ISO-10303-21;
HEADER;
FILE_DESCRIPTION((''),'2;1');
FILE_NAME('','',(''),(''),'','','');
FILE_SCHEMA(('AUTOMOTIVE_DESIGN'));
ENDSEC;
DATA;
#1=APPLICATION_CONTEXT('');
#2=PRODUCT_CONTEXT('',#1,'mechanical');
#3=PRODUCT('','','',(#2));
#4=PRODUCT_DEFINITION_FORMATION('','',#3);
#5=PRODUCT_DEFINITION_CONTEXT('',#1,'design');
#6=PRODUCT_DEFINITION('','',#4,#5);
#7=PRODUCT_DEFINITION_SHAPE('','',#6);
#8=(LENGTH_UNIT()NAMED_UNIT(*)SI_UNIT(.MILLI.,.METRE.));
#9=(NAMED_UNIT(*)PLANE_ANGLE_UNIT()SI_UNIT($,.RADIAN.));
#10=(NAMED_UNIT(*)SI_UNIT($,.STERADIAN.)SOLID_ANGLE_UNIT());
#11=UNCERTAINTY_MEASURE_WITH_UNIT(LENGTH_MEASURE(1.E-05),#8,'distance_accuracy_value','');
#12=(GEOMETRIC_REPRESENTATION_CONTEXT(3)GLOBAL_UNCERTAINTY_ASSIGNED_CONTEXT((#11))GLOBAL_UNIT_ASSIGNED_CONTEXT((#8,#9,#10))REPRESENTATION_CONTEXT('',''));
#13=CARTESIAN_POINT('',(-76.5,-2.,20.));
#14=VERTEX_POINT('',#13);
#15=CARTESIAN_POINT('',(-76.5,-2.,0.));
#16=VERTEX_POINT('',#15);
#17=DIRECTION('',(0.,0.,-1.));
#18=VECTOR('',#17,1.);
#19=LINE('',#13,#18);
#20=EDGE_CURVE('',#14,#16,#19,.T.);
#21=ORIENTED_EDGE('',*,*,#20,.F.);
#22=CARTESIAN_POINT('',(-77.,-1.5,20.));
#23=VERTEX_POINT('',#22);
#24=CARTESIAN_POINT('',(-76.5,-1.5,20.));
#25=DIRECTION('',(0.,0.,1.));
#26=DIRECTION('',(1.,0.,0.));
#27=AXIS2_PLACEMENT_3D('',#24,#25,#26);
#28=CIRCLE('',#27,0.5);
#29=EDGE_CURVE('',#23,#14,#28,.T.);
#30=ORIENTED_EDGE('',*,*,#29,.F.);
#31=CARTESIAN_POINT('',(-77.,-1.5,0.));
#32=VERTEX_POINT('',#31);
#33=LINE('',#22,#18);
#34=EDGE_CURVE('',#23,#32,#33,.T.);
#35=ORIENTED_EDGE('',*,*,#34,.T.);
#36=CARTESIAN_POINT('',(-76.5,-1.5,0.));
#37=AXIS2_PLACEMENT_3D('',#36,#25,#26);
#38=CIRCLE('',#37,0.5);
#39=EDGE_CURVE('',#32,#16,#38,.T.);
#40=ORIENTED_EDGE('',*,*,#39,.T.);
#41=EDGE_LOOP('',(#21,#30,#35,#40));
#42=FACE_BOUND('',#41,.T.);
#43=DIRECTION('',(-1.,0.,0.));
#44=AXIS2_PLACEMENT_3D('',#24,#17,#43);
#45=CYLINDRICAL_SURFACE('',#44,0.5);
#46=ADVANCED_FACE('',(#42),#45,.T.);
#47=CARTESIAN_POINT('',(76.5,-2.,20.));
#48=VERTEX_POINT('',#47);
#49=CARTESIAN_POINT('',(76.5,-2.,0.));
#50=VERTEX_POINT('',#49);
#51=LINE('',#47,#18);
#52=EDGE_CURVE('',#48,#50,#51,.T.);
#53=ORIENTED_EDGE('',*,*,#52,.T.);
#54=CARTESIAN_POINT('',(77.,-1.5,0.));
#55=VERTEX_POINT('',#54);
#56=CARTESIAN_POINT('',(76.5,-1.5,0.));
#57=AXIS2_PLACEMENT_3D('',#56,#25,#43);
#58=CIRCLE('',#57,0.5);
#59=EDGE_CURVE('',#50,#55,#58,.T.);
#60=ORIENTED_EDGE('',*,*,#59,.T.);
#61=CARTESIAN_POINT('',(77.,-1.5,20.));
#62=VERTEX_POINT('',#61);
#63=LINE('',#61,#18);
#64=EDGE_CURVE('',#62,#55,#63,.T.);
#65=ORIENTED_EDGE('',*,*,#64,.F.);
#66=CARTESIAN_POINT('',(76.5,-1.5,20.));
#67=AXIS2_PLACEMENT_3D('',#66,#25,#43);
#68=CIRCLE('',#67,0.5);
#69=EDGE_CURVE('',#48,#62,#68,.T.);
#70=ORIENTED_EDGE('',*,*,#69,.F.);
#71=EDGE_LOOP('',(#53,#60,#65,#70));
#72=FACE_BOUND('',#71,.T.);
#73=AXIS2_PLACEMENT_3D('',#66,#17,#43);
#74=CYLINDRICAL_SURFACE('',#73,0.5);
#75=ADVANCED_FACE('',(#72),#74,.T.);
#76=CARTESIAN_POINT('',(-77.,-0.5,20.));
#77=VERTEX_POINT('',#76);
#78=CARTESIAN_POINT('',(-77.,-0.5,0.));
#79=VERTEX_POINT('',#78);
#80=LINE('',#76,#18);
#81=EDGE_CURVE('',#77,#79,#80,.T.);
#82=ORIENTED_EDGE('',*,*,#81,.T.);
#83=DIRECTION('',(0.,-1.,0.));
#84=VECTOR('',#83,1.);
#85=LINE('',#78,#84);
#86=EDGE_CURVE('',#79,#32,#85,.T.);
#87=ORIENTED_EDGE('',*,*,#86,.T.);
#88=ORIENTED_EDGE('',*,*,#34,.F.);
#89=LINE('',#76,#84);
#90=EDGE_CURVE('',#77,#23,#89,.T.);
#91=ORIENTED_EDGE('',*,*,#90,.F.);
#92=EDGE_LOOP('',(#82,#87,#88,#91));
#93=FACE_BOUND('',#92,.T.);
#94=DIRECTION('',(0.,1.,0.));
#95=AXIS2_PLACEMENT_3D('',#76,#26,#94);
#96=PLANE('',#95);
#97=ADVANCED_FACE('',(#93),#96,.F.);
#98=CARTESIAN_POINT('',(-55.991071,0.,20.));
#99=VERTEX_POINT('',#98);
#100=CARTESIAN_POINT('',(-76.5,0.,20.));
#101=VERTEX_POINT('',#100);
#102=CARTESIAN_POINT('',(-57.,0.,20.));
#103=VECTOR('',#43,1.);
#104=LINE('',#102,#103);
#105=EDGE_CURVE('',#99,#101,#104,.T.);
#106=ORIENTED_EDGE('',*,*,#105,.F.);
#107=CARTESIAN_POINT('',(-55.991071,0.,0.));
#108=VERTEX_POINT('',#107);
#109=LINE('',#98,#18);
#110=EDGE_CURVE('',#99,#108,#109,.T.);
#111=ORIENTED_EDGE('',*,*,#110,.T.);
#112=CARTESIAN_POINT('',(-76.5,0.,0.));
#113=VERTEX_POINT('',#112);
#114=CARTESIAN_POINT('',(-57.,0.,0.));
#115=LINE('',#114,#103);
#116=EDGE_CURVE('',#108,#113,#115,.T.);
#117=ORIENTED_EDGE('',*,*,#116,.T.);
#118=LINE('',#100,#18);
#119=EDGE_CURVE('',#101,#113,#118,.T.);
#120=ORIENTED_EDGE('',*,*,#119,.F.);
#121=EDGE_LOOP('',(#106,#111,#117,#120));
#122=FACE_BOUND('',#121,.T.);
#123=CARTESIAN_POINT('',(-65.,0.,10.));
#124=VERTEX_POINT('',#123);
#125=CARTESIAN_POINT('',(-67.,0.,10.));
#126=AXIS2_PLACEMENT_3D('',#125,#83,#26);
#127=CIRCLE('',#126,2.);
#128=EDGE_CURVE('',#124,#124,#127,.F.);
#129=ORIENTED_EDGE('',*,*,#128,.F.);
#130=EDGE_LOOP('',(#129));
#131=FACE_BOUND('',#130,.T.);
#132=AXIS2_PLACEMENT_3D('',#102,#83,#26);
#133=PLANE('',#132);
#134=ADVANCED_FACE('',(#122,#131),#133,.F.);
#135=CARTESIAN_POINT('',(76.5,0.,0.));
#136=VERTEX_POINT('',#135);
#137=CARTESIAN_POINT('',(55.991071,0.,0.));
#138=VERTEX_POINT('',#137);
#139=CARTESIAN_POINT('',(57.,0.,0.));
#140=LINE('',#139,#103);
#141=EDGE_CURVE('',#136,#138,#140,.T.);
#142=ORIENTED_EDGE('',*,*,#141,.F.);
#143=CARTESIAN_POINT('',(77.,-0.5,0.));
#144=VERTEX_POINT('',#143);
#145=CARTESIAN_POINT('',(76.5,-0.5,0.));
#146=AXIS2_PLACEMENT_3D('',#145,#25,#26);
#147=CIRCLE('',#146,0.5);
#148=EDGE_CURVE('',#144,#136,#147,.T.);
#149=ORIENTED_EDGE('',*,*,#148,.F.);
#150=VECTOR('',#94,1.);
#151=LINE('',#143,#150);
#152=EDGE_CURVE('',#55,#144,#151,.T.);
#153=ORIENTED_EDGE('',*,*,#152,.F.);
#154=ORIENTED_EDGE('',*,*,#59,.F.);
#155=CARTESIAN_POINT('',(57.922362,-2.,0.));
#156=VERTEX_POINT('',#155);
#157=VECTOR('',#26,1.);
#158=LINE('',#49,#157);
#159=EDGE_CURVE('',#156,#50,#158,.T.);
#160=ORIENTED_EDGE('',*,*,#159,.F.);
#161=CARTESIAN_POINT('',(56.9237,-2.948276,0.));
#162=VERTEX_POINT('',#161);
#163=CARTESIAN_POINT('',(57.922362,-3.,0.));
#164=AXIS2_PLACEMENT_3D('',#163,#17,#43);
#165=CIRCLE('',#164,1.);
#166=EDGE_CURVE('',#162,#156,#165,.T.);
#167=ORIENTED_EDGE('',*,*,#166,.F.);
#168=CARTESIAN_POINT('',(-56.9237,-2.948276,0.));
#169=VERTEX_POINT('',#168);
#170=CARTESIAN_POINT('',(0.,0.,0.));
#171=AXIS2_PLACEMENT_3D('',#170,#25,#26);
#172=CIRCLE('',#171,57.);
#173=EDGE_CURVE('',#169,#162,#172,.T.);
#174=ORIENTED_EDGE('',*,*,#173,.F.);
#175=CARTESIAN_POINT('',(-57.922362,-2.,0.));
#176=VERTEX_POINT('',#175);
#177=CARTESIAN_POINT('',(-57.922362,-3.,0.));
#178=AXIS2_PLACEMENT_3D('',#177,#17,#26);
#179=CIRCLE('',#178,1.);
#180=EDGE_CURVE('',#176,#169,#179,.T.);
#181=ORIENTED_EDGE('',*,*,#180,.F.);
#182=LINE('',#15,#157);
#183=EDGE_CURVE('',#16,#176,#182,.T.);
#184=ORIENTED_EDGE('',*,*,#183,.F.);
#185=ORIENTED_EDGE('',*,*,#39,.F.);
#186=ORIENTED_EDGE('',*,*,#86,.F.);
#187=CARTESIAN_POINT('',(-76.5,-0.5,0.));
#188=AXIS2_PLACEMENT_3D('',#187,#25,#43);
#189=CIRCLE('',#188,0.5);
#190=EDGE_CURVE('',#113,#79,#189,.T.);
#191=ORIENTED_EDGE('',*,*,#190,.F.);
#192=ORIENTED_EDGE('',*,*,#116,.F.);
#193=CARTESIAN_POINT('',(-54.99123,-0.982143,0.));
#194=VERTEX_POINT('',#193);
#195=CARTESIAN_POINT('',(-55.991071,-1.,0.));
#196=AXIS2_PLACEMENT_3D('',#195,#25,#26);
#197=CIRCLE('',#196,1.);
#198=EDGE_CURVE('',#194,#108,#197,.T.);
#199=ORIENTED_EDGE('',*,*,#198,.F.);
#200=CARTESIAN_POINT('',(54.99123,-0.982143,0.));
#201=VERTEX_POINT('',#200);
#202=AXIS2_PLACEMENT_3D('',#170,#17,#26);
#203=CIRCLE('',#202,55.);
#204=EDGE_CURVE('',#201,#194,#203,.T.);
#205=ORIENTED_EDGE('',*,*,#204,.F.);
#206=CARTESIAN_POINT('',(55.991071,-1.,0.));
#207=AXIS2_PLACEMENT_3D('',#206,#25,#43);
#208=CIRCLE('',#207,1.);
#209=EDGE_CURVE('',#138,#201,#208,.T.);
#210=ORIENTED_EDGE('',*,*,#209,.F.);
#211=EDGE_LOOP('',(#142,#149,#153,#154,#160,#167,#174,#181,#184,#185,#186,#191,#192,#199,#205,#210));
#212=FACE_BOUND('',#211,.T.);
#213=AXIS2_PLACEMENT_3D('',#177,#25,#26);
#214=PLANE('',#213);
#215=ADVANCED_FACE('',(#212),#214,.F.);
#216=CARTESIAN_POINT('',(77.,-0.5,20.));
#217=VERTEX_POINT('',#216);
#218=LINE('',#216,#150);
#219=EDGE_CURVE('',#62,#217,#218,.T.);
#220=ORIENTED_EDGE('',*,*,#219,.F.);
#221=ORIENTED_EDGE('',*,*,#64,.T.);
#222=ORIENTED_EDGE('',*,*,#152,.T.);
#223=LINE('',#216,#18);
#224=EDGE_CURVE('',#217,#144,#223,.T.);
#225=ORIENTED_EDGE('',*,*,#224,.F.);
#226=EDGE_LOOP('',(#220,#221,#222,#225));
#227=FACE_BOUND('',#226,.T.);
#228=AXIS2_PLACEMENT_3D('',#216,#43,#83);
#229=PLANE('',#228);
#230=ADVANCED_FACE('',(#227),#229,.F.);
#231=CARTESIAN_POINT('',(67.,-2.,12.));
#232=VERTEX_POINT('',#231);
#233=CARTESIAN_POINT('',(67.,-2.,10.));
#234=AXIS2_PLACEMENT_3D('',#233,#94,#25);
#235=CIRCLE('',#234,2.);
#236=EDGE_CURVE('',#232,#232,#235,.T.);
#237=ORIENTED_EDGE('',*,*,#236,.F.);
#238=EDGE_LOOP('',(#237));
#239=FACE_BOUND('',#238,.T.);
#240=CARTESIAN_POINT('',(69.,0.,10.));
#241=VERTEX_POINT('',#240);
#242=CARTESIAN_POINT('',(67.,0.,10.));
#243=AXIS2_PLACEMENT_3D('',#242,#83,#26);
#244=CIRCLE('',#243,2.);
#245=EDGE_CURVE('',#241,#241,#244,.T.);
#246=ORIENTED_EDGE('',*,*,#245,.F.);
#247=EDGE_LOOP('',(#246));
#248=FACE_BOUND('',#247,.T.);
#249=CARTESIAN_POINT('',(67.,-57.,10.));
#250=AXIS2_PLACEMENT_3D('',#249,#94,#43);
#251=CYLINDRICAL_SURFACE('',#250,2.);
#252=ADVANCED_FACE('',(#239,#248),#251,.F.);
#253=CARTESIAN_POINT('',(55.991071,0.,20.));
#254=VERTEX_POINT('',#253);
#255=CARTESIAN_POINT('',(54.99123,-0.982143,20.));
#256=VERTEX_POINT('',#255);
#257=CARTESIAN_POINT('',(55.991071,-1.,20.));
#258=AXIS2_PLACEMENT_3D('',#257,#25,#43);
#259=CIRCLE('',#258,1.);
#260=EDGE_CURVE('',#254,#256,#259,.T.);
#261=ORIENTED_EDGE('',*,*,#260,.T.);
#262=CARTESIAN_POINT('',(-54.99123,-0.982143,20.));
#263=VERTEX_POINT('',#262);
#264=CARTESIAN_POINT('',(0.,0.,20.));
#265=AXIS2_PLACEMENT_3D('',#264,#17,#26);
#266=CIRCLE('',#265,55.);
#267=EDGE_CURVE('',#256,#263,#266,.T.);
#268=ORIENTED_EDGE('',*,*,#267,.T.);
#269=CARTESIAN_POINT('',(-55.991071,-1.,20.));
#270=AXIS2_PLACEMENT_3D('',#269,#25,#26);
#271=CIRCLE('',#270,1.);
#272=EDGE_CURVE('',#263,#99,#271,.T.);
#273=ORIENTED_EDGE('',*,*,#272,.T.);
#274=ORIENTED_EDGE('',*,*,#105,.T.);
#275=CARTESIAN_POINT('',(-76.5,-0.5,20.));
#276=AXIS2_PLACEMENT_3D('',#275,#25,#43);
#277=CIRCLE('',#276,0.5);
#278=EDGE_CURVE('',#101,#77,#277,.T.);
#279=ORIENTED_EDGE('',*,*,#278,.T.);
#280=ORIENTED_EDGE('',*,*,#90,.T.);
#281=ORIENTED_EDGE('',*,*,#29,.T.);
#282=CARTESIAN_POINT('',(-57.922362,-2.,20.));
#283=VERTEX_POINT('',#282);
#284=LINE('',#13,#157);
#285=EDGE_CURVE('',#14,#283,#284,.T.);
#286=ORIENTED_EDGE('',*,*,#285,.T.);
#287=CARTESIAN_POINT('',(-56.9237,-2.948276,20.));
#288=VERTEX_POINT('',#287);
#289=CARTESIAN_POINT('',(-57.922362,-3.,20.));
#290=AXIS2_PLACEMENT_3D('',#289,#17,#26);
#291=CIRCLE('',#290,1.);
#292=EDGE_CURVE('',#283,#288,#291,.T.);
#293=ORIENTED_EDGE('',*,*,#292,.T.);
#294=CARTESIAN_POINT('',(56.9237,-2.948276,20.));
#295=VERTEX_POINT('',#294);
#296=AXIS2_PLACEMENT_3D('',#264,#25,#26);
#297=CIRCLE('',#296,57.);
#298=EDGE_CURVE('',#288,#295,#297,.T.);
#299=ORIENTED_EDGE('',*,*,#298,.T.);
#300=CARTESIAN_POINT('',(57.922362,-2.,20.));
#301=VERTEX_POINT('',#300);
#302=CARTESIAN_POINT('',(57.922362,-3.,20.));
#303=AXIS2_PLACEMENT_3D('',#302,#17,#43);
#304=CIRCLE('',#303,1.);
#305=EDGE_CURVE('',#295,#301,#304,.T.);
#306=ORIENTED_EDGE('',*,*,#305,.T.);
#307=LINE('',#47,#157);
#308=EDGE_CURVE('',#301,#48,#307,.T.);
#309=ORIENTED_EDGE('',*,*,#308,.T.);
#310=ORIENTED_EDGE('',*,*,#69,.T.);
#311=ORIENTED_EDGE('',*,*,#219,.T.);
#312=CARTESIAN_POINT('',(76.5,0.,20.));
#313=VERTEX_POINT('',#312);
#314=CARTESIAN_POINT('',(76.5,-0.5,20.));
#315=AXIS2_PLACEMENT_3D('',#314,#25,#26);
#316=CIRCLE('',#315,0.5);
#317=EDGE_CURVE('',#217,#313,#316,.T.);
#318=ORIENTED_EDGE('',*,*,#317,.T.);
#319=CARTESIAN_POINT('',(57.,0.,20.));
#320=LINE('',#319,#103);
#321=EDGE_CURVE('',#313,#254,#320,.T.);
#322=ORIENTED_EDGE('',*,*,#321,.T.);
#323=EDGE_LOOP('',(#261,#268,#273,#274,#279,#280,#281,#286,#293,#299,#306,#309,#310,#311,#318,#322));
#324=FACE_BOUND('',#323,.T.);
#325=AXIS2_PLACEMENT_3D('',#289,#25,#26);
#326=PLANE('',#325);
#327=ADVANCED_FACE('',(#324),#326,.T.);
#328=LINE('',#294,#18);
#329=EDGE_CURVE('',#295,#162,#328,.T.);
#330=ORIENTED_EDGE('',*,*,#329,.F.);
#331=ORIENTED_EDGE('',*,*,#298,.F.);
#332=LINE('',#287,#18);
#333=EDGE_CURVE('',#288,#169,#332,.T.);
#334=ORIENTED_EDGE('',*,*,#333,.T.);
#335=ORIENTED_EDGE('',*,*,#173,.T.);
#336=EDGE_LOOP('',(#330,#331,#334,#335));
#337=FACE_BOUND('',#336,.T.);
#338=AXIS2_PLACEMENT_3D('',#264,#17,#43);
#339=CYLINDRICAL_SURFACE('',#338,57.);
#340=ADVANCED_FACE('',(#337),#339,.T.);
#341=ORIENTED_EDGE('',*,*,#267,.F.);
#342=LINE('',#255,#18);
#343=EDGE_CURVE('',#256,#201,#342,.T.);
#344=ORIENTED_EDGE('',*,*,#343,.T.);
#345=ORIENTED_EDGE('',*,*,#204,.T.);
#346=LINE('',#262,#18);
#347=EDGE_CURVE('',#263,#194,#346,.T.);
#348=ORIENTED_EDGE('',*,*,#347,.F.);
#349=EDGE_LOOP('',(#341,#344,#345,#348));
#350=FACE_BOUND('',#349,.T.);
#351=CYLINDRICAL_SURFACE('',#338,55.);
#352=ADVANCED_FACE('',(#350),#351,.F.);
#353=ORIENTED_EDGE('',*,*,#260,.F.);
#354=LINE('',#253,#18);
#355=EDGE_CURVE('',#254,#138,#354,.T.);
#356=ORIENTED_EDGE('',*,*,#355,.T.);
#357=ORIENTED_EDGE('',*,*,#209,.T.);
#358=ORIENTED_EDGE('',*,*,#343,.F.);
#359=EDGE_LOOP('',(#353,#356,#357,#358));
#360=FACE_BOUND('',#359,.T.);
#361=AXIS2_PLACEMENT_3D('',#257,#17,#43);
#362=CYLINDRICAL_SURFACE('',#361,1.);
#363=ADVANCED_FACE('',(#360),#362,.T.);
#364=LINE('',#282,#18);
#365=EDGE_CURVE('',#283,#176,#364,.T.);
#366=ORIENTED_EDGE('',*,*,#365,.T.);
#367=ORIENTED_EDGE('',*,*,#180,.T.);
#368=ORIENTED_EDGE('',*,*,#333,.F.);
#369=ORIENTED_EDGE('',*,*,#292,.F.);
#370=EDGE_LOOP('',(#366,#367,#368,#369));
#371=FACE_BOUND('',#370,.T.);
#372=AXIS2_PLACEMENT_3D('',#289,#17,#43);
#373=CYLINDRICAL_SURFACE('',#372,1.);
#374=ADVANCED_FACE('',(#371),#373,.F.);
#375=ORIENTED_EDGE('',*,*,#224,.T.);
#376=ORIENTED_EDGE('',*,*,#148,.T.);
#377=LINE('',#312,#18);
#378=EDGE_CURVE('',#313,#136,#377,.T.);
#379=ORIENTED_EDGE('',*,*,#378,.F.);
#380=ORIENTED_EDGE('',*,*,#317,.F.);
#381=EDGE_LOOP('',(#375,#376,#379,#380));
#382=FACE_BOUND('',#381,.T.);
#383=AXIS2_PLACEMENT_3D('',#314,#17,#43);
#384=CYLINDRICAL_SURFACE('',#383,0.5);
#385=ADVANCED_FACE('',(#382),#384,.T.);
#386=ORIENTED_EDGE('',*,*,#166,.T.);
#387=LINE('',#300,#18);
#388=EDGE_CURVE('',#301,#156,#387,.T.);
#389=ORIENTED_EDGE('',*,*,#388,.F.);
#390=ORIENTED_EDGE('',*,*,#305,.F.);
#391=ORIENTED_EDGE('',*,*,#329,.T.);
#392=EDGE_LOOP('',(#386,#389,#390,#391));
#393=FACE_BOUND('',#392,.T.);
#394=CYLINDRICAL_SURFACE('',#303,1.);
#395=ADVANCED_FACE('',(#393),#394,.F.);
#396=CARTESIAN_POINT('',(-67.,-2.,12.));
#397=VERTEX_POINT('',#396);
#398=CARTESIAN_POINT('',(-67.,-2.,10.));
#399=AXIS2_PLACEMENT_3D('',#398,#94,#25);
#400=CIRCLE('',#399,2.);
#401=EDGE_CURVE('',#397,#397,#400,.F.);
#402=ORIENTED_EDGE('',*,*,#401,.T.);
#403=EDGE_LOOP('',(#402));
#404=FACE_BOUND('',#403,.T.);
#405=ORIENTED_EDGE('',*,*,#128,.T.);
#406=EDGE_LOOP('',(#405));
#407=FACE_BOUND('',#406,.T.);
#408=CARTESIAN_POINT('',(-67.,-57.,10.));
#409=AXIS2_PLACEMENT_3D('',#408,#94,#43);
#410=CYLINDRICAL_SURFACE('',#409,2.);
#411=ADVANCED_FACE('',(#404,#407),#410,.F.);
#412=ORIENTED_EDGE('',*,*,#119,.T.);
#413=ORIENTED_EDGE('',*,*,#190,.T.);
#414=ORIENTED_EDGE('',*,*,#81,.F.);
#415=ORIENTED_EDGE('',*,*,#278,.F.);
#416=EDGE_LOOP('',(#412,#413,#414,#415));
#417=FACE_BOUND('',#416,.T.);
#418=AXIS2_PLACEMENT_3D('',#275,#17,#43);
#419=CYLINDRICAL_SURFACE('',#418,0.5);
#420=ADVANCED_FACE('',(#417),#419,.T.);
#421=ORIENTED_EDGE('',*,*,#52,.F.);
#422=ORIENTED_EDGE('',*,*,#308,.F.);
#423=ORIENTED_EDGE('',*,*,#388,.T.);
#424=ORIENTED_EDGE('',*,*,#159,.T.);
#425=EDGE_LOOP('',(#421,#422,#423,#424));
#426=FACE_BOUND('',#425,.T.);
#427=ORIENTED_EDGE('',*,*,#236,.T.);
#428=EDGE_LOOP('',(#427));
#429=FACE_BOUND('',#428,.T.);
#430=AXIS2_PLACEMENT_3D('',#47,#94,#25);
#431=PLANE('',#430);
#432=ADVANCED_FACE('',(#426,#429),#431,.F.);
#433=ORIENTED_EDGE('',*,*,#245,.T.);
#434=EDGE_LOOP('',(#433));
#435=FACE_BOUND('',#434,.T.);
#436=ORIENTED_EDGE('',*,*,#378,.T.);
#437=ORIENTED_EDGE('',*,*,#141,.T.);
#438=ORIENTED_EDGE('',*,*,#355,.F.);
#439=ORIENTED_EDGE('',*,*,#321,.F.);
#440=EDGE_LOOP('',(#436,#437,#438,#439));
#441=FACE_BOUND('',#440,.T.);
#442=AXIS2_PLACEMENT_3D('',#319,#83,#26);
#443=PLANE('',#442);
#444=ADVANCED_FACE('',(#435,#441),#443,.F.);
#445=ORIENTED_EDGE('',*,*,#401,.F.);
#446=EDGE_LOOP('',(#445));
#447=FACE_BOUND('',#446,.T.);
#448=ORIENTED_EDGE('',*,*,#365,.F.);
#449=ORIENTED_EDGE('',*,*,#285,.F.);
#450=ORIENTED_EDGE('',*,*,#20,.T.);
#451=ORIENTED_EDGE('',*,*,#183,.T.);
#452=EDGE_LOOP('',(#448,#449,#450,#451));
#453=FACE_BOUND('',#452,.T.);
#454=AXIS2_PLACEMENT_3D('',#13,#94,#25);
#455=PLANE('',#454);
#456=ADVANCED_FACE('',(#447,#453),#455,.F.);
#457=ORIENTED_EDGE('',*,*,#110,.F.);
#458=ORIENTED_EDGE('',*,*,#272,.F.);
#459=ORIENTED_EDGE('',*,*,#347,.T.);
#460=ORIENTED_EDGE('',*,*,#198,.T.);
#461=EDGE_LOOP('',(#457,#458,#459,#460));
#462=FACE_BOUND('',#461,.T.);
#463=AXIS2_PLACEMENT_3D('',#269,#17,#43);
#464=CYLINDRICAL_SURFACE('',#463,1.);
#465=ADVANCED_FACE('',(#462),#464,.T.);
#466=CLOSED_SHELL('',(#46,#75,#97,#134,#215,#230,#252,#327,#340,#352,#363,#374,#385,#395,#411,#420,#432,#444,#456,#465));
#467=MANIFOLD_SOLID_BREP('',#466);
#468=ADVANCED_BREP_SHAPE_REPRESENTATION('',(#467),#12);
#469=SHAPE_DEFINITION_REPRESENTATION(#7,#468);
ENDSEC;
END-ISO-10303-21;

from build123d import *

# Parameters (mm, degrees)
SALIENTE_EXTRUIR2_DEPTH = 20
CROQUIS5_R              = 2
CORTAR_EXTRUIR2_DEPTH   = 98.867257037


with BuildPart() as part:
    # Croquis1 → Saliente-Extruir2 (new body)
    with BuildSketch(Plane.XY):
        with BuildLine():
            Line((-57, 0), (-55.991070717, 0))
            ThreePointArc((-55.991070717, 0), (-55.290305828, -0.286607702), (-54.991230168, -0.982142857))
            ThreePointArc((-54.991230168, -0.982142857), (0, -55), (54.991230168, -0.982142857))
            ThreePointArc((54.991230168, -0.982142857), (55.290305828, -0.286607702), (55.991070717, 0))
            Line((55.991070717, 0), (57, 0))
            Line((57, 0), (76.5, 0))
            ThreePointArc((76.5, 0), (76.853553391, -0.146446609), (77, -0.5))
            Line((77, -0.5), (77, -1.5))
            ThreePointArc((77, -1.5), (76.853553391, -1.853553391), (76.5, -2))
            Line((76.5, -2), (57.92236183, -2))
            ThreePointArc((57.92236183, -2), (57.233785087, -2.274836523), (56.923700419, -2.948275862))
            ThreePointArc((56.923700419, -2.948275862), (0, -57), (-56.923700419, -2.948275862))
            ThreePointArc((-56.923700419, -2.948275862), (-57.233785087, -2.274836523), (-57.92236183, -2))
            Line((-57.92236183, -2), (-76.5, -2))
            ThreePointArc((-76.5, -2), (-76.853553391, -1.853553391), (-77, -1.5))
            Line((-77, -1.5), (-77, -0.5))
            ThreePointArc((-77, -0.5), (-76.853553391, -0.146446609), (-76.5, 0))
            Line((-76.5, 0), (-57, 0))
        make_face()
    extrude(amount=SALIENTE_EXTRUIR2_DEPTH)

    # Croquis5 → Cortar-Extruir2 (cut, symmetric)
    with BuildSketch(Plane(origin=(0, 0, 0), x_dir=(1, 0, 0), z_dir=(0, 1, 0))):
        with Locations(Location((67, -10, 0), (0, 0, 270))):
            Circle(CROQUIS5_R)
    cortar_extruir2 = extrude(amount=CORTAR_EXTRUIR2_DEPTH, both=True, mode=Mode.SUBTRACT)

    # Simetría4: Cortar-Extruir2 across plane
    add(cortar_extruir2.mirror(Plane(origin=(0, 0, 0), x_dir=(0, 0, 1), z_dir=(1, 0, 0))), mode=Mode.SUBTRACT)


solid = part.part
